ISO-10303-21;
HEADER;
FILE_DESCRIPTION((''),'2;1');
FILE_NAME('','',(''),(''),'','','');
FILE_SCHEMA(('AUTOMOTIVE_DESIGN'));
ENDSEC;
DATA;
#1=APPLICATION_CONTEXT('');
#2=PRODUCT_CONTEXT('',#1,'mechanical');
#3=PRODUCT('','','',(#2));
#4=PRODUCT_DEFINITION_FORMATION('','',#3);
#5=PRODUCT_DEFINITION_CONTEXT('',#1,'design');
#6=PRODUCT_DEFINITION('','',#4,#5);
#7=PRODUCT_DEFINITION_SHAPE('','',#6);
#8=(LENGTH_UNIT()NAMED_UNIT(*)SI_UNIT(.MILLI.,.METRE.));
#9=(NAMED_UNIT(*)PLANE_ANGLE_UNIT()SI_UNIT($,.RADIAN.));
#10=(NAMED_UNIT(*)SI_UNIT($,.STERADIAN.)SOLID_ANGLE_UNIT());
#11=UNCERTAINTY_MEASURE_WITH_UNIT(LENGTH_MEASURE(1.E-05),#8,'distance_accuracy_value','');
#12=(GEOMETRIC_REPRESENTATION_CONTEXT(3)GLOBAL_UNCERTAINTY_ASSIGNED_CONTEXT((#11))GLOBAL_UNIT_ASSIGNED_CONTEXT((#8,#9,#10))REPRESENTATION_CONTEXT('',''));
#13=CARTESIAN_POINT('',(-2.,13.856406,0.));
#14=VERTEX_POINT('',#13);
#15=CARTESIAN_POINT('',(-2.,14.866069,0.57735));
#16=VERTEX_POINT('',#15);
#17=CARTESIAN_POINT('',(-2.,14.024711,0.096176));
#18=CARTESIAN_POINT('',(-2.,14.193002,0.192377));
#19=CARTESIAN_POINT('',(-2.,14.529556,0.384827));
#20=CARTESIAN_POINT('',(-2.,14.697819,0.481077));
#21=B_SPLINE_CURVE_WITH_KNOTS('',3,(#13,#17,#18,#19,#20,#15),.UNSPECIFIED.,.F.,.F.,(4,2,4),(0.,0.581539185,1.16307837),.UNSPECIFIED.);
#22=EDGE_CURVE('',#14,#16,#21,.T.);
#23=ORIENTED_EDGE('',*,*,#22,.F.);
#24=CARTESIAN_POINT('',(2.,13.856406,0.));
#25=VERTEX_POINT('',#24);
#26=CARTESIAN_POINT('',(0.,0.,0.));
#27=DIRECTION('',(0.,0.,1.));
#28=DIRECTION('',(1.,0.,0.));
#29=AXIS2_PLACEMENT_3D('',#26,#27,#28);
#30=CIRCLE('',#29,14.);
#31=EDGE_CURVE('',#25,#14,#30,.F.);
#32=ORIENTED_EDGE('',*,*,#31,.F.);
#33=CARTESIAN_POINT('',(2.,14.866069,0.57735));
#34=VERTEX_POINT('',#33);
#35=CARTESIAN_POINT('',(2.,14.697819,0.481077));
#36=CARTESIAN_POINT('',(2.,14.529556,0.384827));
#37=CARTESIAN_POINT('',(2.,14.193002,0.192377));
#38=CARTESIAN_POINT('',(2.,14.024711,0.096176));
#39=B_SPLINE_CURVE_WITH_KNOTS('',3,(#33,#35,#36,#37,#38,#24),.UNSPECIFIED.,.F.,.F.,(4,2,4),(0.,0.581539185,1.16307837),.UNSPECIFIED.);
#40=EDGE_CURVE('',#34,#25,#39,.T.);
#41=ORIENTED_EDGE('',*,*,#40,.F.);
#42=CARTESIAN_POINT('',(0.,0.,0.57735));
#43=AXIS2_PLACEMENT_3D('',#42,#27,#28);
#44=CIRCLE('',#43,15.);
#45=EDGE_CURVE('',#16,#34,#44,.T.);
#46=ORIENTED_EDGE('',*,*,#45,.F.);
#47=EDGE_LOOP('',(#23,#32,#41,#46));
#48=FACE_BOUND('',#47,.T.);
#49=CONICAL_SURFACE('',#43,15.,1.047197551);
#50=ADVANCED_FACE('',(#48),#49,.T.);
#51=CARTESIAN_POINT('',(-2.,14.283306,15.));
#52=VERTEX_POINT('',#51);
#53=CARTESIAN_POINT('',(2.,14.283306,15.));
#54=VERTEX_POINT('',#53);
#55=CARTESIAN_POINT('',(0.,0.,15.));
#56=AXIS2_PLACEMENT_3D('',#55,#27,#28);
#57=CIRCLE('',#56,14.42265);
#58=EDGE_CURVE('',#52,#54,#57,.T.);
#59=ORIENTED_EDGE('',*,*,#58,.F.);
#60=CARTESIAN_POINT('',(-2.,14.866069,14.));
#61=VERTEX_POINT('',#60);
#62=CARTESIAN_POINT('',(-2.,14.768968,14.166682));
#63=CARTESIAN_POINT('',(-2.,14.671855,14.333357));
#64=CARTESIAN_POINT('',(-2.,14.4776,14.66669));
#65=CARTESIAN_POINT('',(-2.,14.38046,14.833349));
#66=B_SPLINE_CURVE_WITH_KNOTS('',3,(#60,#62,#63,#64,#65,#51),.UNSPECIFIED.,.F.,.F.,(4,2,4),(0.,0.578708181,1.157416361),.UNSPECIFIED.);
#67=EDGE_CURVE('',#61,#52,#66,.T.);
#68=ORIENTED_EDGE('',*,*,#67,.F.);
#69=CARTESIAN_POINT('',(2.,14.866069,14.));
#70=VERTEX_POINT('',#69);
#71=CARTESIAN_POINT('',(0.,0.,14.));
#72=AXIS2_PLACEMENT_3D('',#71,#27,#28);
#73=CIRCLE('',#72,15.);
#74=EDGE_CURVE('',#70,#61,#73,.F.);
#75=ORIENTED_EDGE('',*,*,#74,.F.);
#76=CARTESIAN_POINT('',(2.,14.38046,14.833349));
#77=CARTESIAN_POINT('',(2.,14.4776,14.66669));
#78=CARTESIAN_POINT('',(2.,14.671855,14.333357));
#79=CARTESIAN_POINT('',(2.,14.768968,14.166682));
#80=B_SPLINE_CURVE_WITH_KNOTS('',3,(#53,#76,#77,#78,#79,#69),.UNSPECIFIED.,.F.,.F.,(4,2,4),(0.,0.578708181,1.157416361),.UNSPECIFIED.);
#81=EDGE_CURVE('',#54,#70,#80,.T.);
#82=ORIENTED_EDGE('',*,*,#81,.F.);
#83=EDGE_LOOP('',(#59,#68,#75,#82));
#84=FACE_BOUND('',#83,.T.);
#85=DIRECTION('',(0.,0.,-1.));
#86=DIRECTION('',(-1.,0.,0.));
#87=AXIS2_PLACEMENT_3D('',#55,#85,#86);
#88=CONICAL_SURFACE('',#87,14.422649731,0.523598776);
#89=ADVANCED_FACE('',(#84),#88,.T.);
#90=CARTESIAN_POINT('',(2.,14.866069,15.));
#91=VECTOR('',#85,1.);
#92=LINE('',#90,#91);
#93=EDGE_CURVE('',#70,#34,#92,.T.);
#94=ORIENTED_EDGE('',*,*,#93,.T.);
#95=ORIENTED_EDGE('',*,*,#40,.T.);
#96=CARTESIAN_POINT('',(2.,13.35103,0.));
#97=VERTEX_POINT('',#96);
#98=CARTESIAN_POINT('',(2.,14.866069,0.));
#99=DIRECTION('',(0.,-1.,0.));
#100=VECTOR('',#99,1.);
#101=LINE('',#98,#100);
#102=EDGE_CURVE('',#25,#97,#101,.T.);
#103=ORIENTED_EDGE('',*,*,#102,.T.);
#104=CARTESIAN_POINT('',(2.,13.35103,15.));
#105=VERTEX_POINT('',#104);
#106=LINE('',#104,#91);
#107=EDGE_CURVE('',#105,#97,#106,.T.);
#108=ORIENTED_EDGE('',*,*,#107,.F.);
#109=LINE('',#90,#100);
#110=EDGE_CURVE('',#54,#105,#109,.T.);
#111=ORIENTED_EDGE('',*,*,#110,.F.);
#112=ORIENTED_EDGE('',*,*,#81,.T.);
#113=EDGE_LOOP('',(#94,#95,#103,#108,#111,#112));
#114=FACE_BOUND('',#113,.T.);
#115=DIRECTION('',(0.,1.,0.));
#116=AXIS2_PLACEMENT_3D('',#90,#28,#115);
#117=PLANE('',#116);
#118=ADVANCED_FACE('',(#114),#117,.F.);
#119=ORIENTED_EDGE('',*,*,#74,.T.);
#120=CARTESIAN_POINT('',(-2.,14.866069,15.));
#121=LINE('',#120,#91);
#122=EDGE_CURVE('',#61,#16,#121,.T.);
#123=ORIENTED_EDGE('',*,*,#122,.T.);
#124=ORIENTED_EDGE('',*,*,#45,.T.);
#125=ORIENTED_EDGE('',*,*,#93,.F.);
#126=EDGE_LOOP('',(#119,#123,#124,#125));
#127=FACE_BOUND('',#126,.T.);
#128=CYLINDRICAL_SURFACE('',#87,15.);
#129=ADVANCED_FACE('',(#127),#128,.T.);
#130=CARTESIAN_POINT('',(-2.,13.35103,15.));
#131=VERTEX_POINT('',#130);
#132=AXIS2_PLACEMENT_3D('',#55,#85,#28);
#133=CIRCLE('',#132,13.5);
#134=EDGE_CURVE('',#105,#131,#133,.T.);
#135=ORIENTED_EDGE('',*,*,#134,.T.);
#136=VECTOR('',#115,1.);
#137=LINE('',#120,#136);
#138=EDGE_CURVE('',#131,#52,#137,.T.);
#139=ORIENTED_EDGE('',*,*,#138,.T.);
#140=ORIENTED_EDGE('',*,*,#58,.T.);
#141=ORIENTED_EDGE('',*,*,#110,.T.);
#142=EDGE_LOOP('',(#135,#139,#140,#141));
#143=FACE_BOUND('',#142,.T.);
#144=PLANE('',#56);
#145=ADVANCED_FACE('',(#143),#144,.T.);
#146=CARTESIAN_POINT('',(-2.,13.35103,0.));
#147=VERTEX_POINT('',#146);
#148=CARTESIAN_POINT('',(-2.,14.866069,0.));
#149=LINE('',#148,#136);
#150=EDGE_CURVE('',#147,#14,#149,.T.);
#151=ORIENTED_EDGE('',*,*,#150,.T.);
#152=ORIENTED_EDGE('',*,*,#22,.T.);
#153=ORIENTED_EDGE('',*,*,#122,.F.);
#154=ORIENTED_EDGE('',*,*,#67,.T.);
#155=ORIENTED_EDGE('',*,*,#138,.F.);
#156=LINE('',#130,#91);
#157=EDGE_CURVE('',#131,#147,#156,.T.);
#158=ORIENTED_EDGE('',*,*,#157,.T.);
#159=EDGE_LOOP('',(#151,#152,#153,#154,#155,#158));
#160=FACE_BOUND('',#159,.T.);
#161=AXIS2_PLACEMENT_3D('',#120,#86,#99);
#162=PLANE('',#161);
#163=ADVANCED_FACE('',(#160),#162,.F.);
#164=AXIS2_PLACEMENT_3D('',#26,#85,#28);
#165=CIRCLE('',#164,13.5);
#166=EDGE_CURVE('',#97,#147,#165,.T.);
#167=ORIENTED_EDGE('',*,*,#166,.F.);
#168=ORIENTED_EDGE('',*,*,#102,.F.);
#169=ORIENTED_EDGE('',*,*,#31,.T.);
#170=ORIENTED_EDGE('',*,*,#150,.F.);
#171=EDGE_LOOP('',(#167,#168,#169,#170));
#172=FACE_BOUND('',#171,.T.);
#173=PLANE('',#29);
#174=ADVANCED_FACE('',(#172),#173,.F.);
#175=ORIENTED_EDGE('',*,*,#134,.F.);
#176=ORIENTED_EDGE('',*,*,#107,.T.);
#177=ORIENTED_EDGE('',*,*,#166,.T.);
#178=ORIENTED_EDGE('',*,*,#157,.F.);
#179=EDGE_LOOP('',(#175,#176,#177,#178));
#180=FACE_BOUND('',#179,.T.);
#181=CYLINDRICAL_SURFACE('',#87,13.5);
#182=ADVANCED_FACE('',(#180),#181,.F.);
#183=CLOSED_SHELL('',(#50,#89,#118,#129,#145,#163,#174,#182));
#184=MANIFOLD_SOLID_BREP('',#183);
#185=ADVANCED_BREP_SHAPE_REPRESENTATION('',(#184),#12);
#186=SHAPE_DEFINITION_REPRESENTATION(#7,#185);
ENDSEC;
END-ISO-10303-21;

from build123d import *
from OCP.BRepFilletAPI import BRepFilletAPI_MakeChamfer

# Parameters (mm, degrees)
EXTRUSION1_DEPTH = 15
CHANFREIN1_SIZE  = 1
CHANFREIN1_SIZE2 = 0.577350269


with BuildPart() as part:
    # Esquisse1 → Extrusion1 (new body)
    with BuildSketch(Plane.XY):
        with BuildLine():
            Line((-2, 14.866068747), (-2, 13.351029923))
            ThreePointArc((-2, 13.351029923), (0, -13.5), (2, 13.351029923))
            Line((2, 13.351029923), (2, 14.866068747))
            ThreePointArc((2, 14.866068747), (0, -15), (-2, 14.866068747))
        make_face()
    extrude(amount=EXTRUSION1_DEPTH)

    # Chanfrein1: one chamfer whose edges measure the first distance from different faces: ONE call of the kernel's chamfer builder (chamfer() names one face for all edges)
    chanfrein1_edges_1 = [part.edges().sort_by_distance(p)[0] for p in [
        (0, -15, 15),
    ]]
    chanfrein1_side_1 = [part.faces().sort_by_distance(p)[0] for p in [
        (0, -15, 7.5),
    ]]
    chanfrein1_edges_2 = [part.edges().sort_by_distance(p)[0] for p in [
        (0, -15, 0),
    ]]
    chanfrein1_side_2 = [part.faces().sort_by_distance(p)[0] for p in [
        (2.423318091, 14.108549335, 0),
    ]]
    chanfrein1 = BRepFilletAPI_MakeChamfer(part.part.solid().wrapped)
    for e in chanfrein1_edges_1:
        chanfrein1.Add(CHANFREIN1_SIZE, CHANFREIN1_SIZE2, e.wrapped, chanfrein1_side_1[0].wrapped)  # the first distance lies on this face
    for e in chanfrein1_edges_2:
        chanfrein1.Add(CHANFREIN1_SIZE, CHANFREIN1_SIZE2, e.wrapped, chanfrein1_side_2[0].wrapped)  # the first distance lies on this face
    add(Compound.cast(chanfrein1.Shape()), mode=Mode.REPLACE)


solid = part.part
